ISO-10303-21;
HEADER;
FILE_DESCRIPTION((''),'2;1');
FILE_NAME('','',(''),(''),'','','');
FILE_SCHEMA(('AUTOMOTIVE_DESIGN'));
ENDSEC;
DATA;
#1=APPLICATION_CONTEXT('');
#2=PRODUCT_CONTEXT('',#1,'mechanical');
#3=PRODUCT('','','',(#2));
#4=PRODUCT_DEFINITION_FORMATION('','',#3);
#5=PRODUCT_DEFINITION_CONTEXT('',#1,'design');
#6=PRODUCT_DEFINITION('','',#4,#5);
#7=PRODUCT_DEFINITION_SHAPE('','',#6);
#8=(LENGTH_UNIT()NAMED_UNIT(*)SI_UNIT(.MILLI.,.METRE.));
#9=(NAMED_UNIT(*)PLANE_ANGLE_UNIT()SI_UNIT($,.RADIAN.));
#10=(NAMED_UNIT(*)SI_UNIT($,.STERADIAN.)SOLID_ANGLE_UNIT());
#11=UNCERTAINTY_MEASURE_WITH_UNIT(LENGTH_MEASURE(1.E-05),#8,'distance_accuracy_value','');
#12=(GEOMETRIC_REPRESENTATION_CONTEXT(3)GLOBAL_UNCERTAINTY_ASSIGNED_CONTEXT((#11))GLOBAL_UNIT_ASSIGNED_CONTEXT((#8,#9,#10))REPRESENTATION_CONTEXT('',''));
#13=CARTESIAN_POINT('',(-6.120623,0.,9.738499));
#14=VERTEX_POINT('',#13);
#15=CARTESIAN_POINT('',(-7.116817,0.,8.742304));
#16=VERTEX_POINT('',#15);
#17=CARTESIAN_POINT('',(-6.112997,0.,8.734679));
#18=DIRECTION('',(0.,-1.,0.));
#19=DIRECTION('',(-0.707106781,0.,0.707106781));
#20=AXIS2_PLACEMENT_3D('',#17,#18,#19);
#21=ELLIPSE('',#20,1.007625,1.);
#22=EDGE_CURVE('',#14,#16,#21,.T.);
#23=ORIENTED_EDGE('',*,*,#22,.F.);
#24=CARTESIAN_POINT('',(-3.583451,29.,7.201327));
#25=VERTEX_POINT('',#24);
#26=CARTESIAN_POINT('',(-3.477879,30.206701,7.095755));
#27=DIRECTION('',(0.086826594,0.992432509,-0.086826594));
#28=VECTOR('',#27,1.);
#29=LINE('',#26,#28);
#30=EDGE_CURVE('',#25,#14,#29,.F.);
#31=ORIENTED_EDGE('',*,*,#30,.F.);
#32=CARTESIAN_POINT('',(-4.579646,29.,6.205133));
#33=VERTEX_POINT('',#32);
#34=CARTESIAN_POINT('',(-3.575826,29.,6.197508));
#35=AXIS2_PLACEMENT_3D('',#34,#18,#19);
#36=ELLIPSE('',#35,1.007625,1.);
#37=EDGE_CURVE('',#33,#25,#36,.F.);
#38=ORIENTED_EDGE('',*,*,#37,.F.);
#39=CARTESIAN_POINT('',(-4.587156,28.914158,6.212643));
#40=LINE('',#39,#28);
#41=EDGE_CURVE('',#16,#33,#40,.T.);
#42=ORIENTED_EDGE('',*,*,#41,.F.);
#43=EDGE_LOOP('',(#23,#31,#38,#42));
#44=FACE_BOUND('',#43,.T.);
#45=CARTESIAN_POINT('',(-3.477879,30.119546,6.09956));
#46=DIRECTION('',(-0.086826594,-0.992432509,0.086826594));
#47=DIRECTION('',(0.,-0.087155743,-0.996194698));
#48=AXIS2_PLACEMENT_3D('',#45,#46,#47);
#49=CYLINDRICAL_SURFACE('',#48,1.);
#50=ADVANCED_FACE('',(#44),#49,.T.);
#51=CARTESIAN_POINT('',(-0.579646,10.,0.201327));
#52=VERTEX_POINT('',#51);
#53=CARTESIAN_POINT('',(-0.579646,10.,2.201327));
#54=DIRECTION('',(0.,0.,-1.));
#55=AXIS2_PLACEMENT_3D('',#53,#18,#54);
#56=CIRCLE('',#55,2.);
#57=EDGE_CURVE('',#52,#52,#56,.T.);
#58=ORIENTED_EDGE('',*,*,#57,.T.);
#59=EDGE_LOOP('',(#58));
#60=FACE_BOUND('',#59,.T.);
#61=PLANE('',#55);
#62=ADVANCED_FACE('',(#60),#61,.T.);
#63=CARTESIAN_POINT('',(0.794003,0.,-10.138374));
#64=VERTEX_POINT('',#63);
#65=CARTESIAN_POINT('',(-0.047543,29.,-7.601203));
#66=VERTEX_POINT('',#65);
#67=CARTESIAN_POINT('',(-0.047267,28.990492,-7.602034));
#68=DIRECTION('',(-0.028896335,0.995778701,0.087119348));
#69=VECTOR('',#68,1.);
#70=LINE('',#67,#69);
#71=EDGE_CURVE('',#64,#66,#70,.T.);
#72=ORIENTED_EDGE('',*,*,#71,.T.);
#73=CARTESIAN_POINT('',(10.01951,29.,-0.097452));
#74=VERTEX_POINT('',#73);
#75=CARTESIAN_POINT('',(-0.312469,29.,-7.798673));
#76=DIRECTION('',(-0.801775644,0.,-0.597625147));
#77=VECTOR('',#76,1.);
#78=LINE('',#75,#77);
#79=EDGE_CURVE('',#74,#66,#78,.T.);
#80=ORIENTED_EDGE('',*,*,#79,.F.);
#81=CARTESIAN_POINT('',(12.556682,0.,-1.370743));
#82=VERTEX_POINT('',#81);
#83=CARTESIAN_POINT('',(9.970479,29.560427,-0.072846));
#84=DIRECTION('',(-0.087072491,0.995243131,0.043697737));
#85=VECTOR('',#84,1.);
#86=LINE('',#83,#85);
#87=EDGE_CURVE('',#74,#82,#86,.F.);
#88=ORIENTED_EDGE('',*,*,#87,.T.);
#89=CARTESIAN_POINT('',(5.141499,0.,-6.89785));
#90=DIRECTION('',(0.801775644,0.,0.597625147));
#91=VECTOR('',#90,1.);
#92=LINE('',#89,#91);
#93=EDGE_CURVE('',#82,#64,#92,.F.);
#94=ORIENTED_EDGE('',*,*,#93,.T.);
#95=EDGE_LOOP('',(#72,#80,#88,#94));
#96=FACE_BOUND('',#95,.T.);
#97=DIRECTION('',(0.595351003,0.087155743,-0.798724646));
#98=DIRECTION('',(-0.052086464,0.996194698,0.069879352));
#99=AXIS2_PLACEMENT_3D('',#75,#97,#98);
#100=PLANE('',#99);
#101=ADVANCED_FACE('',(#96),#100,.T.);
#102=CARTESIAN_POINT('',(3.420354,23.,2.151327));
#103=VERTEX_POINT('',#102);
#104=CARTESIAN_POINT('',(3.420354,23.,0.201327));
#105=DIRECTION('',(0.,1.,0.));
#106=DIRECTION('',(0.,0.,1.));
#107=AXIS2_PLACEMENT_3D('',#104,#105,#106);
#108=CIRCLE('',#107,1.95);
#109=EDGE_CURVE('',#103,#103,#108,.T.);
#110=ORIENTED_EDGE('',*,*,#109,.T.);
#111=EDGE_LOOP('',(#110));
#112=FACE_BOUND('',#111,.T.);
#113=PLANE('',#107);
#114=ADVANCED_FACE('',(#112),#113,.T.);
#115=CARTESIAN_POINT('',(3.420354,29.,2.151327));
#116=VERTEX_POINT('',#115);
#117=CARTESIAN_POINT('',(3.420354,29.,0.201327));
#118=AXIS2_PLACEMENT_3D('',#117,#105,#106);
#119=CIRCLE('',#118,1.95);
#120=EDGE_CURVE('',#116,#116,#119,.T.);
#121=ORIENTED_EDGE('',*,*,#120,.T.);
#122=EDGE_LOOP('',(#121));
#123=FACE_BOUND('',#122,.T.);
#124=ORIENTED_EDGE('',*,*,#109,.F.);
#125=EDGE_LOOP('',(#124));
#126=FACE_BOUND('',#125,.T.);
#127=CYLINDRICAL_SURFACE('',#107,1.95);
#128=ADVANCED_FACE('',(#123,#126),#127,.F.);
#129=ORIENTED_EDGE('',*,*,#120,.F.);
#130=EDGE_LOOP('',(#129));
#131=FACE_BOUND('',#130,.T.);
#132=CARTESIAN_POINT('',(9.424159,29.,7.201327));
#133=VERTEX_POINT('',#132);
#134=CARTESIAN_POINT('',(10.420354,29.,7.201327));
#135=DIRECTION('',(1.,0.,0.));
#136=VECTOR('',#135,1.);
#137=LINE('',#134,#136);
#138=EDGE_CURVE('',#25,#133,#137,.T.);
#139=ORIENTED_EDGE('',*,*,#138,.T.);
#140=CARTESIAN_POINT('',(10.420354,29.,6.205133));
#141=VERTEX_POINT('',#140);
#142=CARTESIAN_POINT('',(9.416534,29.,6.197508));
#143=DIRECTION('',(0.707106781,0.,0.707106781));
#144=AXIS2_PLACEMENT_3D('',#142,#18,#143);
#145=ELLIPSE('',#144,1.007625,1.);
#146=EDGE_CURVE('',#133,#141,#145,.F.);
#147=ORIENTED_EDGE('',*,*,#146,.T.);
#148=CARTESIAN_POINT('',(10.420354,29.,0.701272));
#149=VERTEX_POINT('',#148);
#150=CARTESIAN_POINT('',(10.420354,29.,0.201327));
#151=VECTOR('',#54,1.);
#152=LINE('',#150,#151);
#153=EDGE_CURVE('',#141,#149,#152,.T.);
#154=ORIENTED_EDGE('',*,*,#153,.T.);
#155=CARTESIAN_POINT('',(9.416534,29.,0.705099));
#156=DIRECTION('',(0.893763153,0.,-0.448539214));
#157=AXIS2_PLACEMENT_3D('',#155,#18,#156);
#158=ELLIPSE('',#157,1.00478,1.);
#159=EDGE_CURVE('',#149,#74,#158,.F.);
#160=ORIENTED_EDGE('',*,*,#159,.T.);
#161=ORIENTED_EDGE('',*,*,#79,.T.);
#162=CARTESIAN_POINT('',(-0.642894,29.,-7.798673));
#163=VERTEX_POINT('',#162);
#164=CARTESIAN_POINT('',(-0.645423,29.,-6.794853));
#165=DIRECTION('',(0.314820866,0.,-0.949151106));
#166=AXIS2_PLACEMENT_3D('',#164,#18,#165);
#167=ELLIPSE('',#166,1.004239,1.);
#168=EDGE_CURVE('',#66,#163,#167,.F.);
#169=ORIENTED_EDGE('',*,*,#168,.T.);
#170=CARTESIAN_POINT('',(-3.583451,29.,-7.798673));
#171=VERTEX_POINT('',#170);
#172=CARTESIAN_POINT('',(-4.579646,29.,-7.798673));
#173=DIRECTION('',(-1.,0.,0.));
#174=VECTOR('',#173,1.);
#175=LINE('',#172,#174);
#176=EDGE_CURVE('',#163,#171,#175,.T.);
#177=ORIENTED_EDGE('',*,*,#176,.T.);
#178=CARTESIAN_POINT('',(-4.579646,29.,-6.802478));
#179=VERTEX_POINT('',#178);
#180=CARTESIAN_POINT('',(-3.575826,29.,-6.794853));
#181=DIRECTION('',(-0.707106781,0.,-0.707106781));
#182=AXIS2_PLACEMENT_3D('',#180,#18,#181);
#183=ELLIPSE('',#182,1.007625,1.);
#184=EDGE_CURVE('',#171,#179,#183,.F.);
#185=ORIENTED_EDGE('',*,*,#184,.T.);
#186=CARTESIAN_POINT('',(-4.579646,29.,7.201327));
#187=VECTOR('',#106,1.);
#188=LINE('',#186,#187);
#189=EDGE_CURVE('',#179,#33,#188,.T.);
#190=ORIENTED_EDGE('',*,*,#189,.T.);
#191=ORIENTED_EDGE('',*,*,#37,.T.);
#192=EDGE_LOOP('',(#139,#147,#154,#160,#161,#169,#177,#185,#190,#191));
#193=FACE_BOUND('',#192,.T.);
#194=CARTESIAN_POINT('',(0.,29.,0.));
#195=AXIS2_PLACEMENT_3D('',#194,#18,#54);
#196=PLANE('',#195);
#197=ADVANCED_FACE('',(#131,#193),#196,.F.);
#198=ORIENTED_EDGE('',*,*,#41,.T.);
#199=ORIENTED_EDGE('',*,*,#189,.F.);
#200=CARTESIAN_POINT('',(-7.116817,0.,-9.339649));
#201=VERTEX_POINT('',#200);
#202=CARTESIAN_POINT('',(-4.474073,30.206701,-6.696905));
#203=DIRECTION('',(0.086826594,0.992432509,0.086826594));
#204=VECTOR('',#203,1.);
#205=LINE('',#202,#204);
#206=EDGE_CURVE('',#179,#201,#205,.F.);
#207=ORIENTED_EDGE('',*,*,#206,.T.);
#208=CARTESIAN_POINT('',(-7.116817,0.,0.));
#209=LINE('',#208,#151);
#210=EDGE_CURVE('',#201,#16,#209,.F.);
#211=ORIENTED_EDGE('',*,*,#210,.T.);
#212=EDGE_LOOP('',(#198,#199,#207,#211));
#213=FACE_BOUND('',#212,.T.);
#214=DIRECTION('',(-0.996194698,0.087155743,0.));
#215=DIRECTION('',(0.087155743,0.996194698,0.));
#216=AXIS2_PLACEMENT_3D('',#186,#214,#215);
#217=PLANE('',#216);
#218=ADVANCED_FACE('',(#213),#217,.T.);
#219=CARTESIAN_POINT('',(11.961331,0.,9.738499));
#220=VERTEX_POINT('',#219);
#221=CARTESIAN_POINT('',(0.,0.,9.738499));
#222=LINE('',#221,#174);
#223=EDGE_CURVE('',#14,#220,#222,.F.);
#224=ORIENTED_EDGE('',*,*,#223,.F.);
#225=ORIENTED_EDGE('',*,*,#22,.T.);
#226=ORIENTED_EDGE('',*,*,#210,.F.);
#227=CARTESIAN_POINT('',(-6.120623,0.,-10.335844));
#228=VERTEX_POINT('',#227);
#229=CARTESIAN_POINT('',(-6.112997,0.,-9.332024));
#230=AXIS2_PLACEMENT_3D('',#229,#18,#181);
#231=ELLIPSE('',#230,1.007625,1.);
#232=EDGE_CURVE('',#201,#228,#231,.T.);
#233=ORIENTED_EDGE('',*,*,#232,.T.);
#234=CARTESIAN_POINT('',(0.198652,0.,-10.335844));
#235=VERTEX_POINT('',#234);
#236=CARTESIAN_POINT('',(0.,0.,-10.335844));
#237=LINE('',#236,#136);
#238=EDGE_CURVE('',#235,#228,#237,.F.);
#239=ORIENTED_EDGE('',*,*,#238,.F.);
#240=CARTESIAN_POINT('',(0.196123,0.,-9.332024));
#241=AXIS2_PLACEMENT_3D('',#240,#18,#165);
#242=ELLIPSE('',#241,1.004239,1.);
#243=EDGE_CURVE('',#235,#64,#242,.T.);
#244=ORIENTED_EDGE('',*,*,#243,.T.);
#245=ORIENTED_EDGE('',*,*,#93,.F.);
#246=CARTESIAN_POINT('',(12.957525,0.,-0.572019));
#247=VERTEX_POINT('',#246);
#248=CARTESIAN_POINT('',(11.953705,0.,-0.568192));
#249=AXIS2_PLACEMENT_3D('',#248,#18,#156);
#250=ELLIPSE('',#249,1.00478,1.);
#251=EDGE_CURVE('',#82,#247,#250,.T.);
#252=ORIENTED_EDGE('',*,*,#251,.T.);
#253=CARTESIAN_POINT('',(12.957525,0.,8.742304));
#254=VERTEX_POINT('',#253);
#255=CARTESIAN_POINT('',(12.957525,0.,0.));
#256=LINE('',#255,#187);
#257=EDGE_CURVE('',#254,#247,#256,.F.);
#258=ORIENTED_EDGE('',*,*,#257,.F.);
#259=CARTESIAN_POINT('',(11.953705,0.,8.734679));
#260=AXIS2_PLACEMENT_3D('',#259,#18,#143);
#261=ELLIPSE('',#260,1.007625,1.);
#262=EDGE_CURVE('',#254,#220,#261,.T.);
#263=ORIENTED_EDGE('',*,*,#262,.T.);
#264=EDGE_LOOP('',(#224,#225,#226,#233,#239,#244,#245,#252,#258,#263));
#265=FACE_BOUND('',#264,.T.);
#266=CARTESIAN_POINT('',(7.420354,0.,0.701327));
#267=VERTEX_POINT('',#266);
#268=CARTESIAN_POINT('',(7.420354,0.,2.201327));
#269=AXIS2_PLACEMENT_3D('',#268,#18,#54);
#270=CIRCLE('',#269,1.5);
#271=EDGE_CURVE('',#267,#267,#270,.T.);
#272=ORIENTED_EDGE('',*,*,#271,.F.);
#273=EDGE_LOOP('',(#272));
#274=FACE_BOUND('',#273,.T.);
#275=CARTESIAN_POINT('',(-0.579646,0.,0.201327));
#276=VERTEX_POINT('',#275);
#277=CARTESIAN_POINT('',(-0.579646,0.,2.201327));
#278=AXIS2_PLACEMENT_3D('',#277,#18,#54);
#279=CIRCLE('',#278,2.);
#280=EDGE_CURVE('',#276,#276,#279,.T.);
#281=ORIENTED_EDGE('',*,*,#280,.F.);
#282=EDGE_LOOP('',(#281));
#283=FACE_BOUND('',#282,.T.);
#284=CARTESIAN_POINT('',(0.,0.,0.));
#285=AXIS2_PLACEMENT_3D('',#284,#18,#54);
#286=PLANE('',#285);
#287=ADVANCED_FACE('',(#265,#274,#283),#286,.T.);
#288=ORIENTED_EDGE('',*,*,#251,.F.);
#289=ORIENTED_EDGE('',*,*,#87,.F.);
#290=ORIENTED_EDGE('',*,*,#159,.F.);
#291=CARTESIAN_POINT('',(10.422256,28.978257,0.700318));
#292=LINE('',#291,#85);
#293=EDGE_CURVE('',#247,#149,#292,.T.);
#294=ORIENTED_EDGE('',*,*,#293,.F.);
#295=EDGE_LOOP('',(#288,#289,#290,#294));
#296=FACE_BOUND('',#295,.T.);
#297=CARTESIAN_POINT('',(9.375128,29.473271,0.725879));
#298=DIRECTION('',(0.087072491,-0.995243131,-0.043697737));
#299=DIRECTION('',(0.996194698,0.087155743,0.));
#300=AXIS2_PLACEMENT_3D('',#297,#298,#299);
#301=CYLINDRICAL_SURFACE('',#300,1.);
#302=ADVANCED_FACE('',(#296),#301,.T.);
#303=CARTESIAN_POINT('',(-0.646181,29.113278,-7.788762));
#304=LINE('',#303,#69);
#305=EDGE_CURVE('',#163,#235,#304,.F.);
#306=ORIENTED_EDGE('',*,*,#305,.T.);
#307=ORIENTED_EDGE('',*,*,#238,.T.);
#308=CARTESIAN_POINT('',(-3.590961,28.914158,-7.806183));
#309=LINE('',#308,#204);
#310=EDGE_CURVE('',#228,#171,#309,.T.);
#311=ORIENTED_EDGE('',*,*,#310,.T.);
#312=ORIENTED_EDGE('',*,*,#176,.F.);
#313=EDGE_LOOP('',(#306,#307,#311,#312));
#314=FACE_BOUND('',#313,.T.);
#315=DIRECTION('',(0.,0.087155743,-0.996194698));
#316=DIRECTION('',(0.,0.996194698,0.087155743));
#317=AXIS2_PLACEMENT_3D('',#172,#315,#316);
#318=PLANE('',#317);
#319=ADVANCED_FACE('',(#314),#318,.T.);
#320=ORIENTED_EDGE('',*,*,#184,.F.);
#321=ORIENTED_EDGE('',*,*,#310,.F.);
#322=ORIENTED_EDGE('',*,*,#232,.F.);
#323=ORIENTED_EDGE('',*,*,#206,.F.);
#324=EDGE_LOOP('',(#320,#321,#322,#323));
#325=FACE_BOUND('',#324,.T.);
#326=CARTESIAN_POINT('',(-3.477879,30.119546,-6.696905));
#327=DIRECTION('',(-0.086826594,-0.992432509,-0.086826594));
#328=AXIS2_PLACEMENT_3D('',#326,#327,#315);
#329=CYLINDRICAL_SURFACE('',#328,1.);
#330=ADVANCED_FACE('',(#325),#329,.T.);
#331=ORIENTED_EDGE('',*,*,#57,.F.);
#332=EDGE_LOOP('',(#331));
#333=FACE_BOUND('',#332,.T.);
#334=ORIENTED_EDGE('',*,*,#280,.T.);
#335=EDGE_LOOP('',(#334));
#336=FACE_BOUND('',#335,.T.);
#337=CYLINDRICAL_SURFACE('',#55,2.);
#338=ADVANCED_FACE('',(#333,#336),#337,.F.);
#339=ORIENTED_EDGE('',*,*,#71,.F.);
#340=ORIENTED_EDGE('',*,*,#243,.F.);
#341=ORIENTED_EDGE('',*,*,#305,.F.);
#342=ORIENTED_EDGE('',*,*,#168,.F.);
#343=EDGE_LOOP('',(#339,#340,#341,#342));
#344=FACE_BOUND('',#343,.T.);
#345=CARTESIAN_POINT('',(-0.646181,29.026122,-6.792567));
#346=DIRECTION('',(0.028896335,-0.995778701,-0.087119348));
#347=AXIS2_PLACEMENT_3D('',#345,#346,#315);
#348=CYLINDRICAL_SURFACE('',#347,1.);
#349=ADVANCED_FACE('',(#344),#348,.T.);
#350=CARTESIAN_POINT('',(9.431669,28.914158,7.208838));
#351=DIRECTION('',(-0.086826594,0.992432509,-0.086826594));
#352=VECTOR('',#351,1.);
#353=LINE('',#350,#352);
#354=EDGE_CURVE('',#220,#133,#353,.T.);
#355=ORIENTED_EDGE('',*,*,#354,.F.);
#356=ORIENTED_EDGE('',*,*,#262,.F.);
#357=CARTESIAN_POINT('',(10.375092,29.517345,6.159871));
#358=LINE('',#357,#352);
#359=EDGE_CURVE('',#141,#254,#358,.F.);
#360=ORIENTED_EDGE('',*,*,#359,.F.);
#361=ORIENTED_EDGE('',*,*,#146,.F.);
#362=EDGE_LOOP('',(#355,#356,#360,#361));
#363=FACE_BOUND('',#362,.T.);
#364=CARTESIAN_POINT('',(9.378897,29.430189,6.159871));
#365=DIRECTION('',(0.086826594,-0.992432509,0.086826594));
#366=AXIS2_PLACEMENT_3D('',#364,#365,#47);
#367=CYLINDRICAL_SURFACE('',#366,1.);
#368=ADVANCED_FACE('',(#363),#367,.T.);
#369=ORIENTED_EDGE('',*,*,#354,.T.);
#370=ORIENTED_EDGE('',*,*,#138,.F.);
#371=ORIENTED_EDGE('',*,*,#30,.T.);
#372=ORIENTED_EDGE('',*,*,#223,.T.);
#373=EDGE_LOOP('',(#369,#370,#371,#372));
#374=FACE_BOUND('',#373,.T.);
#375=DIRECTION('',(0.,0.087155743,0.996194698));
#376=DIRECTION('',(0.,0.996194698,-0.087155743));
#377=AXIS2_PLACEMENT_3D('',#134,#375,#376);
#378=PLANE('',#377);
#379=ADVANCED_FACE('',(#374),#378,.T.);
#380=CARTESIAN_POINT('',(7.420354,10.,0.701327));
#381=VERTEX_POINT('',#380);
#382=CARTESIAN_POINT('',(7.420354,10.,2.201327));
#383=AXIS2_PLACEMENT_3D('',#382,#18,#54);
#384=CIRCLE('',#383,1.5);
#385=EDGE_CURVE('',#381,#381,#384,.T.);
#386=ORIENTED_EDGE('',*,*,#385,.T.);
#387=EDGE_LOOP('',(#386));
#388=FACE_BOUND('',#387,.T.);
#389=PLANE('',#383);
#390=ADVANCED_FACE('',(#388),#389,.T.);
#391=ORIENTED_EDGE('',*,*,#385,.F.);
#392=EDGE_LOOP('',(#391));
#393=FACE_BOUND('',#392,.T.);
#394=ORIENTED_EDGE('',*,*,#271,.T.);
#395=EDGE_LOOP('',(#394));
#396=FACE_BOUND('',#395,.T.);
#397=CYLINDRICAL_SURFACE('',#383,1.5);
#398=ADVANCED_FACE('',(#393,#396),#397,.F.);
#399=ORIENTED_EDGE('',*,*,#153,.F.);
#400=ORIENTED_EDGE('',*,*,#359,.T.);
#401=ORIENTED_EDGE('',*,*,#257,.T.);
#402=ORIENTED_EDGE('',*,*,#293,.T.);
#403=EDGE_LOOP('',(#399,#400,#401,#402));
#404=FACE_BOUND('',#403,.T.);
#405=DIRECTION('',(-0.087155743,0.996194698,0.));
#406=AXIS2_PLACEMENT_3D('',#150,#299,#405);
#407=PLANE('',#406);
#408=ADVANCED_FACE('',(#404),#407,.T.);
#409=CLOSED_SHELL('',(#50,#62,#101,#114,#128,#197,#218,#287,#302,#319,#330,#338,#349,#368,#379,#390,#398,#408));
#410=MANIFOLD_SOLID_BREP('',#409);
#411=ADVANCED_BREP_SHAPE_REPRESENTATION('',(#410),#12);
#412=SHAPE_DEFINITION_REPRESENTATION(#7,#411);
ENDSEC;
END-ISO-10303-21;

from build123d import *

# Parameters (mm, degrees)
BOSS_EXTRUDE1_DEPTH = 29
SKETCH2_R           = 2
SKETCH2_R_2         = 1.5
CUT_EXTRUDE1_DEPTH  = 10
SKETCH3_R           = 1.95
CUT_EXTRUDE2_DEPTH  = 6
DRAFT1_ANGLE        = 5
FILLET1_R           = 1


with BuildPart() as part:
    # Sketch1 → Boss-Extrude1 (new body)
    with BuildSketch(Plane(origin=(0, 0, 0), x_dir=(1, 0, 0), z_dir=(0, 1, 0))):
        Polygon((10.420353982, -7.201327434), (-4.579646018, -7.201327434), (-4.579646018, 7.798672566), (-0.312469404, 7.798672566), (10.420353982, -0.201327434), align=None)
    extrude(amount=BOSS_EXTRUDE1_DEPTH)

    # Sketch2 → Cut-Extrude1 (cut)
    with BuildSketch(Plane.XZ):
        with Locations(Location((-0.579646018, 2.201327434, 0), (0, 0, 270))):
            Circle(SKETCH2_R)
        with Locations(Location((7.420353982, 2.201327434, 0), (0, 0, 270))):
            Circle(SKETCH2_R_2)
    extrude(amount=-CUT_EXTRUDE1_DEPTH, mode=Mode.SUBTRACT)

    # Sketch3 → Cut-Extrude2 (cut)
    with BuildSketch(Plane(origin=(0, 29, 0), x_dir=(1, 0, 0), z_dir=(0, 1, 0))):
        with Locations(Location((3.420353982, -0.201327434, 0), (0, 0, 270))):
            Circle(SKETCH3_R)
    extrude(amount=-CUT_EXTRUDE2_DEPTH, mode=Mode.SUBTRACT)

    # Draft1
    draft1_faces = [part.faces().sort_by_distance(p)[0] for p in [
        (5.053942289, 14.5, -3.798672566),
        (-2.446057711, 14.5, -7.798672566),
        (-4.579646018, 14.5, -0.298672566),
        (10.420353982, 14.5, 3.701327434),
        (2.920353982, 14.5, 7.201327434),
    ]]
    draft(draft1_faces, Plane.ZX.offset(29), DRAFT1_ANGLE)

    # Fillet1
    fillet1_edges = [part.edges().sort_by_distance(p)[0] for p in [
        (0.108303665, 14.5, -9.067258187),
        (11.688939603, 14.5, -0.435318187),
        (11.688939603, 14.5, 8.469913055),
        (-5.848231639, 14.5, 8.469913055),
        (-5.848231639, 14.5, -9.067258187),
    ]]
    fillet(fillet1_edges, radius=FILLET1_R)


solid = part.part
